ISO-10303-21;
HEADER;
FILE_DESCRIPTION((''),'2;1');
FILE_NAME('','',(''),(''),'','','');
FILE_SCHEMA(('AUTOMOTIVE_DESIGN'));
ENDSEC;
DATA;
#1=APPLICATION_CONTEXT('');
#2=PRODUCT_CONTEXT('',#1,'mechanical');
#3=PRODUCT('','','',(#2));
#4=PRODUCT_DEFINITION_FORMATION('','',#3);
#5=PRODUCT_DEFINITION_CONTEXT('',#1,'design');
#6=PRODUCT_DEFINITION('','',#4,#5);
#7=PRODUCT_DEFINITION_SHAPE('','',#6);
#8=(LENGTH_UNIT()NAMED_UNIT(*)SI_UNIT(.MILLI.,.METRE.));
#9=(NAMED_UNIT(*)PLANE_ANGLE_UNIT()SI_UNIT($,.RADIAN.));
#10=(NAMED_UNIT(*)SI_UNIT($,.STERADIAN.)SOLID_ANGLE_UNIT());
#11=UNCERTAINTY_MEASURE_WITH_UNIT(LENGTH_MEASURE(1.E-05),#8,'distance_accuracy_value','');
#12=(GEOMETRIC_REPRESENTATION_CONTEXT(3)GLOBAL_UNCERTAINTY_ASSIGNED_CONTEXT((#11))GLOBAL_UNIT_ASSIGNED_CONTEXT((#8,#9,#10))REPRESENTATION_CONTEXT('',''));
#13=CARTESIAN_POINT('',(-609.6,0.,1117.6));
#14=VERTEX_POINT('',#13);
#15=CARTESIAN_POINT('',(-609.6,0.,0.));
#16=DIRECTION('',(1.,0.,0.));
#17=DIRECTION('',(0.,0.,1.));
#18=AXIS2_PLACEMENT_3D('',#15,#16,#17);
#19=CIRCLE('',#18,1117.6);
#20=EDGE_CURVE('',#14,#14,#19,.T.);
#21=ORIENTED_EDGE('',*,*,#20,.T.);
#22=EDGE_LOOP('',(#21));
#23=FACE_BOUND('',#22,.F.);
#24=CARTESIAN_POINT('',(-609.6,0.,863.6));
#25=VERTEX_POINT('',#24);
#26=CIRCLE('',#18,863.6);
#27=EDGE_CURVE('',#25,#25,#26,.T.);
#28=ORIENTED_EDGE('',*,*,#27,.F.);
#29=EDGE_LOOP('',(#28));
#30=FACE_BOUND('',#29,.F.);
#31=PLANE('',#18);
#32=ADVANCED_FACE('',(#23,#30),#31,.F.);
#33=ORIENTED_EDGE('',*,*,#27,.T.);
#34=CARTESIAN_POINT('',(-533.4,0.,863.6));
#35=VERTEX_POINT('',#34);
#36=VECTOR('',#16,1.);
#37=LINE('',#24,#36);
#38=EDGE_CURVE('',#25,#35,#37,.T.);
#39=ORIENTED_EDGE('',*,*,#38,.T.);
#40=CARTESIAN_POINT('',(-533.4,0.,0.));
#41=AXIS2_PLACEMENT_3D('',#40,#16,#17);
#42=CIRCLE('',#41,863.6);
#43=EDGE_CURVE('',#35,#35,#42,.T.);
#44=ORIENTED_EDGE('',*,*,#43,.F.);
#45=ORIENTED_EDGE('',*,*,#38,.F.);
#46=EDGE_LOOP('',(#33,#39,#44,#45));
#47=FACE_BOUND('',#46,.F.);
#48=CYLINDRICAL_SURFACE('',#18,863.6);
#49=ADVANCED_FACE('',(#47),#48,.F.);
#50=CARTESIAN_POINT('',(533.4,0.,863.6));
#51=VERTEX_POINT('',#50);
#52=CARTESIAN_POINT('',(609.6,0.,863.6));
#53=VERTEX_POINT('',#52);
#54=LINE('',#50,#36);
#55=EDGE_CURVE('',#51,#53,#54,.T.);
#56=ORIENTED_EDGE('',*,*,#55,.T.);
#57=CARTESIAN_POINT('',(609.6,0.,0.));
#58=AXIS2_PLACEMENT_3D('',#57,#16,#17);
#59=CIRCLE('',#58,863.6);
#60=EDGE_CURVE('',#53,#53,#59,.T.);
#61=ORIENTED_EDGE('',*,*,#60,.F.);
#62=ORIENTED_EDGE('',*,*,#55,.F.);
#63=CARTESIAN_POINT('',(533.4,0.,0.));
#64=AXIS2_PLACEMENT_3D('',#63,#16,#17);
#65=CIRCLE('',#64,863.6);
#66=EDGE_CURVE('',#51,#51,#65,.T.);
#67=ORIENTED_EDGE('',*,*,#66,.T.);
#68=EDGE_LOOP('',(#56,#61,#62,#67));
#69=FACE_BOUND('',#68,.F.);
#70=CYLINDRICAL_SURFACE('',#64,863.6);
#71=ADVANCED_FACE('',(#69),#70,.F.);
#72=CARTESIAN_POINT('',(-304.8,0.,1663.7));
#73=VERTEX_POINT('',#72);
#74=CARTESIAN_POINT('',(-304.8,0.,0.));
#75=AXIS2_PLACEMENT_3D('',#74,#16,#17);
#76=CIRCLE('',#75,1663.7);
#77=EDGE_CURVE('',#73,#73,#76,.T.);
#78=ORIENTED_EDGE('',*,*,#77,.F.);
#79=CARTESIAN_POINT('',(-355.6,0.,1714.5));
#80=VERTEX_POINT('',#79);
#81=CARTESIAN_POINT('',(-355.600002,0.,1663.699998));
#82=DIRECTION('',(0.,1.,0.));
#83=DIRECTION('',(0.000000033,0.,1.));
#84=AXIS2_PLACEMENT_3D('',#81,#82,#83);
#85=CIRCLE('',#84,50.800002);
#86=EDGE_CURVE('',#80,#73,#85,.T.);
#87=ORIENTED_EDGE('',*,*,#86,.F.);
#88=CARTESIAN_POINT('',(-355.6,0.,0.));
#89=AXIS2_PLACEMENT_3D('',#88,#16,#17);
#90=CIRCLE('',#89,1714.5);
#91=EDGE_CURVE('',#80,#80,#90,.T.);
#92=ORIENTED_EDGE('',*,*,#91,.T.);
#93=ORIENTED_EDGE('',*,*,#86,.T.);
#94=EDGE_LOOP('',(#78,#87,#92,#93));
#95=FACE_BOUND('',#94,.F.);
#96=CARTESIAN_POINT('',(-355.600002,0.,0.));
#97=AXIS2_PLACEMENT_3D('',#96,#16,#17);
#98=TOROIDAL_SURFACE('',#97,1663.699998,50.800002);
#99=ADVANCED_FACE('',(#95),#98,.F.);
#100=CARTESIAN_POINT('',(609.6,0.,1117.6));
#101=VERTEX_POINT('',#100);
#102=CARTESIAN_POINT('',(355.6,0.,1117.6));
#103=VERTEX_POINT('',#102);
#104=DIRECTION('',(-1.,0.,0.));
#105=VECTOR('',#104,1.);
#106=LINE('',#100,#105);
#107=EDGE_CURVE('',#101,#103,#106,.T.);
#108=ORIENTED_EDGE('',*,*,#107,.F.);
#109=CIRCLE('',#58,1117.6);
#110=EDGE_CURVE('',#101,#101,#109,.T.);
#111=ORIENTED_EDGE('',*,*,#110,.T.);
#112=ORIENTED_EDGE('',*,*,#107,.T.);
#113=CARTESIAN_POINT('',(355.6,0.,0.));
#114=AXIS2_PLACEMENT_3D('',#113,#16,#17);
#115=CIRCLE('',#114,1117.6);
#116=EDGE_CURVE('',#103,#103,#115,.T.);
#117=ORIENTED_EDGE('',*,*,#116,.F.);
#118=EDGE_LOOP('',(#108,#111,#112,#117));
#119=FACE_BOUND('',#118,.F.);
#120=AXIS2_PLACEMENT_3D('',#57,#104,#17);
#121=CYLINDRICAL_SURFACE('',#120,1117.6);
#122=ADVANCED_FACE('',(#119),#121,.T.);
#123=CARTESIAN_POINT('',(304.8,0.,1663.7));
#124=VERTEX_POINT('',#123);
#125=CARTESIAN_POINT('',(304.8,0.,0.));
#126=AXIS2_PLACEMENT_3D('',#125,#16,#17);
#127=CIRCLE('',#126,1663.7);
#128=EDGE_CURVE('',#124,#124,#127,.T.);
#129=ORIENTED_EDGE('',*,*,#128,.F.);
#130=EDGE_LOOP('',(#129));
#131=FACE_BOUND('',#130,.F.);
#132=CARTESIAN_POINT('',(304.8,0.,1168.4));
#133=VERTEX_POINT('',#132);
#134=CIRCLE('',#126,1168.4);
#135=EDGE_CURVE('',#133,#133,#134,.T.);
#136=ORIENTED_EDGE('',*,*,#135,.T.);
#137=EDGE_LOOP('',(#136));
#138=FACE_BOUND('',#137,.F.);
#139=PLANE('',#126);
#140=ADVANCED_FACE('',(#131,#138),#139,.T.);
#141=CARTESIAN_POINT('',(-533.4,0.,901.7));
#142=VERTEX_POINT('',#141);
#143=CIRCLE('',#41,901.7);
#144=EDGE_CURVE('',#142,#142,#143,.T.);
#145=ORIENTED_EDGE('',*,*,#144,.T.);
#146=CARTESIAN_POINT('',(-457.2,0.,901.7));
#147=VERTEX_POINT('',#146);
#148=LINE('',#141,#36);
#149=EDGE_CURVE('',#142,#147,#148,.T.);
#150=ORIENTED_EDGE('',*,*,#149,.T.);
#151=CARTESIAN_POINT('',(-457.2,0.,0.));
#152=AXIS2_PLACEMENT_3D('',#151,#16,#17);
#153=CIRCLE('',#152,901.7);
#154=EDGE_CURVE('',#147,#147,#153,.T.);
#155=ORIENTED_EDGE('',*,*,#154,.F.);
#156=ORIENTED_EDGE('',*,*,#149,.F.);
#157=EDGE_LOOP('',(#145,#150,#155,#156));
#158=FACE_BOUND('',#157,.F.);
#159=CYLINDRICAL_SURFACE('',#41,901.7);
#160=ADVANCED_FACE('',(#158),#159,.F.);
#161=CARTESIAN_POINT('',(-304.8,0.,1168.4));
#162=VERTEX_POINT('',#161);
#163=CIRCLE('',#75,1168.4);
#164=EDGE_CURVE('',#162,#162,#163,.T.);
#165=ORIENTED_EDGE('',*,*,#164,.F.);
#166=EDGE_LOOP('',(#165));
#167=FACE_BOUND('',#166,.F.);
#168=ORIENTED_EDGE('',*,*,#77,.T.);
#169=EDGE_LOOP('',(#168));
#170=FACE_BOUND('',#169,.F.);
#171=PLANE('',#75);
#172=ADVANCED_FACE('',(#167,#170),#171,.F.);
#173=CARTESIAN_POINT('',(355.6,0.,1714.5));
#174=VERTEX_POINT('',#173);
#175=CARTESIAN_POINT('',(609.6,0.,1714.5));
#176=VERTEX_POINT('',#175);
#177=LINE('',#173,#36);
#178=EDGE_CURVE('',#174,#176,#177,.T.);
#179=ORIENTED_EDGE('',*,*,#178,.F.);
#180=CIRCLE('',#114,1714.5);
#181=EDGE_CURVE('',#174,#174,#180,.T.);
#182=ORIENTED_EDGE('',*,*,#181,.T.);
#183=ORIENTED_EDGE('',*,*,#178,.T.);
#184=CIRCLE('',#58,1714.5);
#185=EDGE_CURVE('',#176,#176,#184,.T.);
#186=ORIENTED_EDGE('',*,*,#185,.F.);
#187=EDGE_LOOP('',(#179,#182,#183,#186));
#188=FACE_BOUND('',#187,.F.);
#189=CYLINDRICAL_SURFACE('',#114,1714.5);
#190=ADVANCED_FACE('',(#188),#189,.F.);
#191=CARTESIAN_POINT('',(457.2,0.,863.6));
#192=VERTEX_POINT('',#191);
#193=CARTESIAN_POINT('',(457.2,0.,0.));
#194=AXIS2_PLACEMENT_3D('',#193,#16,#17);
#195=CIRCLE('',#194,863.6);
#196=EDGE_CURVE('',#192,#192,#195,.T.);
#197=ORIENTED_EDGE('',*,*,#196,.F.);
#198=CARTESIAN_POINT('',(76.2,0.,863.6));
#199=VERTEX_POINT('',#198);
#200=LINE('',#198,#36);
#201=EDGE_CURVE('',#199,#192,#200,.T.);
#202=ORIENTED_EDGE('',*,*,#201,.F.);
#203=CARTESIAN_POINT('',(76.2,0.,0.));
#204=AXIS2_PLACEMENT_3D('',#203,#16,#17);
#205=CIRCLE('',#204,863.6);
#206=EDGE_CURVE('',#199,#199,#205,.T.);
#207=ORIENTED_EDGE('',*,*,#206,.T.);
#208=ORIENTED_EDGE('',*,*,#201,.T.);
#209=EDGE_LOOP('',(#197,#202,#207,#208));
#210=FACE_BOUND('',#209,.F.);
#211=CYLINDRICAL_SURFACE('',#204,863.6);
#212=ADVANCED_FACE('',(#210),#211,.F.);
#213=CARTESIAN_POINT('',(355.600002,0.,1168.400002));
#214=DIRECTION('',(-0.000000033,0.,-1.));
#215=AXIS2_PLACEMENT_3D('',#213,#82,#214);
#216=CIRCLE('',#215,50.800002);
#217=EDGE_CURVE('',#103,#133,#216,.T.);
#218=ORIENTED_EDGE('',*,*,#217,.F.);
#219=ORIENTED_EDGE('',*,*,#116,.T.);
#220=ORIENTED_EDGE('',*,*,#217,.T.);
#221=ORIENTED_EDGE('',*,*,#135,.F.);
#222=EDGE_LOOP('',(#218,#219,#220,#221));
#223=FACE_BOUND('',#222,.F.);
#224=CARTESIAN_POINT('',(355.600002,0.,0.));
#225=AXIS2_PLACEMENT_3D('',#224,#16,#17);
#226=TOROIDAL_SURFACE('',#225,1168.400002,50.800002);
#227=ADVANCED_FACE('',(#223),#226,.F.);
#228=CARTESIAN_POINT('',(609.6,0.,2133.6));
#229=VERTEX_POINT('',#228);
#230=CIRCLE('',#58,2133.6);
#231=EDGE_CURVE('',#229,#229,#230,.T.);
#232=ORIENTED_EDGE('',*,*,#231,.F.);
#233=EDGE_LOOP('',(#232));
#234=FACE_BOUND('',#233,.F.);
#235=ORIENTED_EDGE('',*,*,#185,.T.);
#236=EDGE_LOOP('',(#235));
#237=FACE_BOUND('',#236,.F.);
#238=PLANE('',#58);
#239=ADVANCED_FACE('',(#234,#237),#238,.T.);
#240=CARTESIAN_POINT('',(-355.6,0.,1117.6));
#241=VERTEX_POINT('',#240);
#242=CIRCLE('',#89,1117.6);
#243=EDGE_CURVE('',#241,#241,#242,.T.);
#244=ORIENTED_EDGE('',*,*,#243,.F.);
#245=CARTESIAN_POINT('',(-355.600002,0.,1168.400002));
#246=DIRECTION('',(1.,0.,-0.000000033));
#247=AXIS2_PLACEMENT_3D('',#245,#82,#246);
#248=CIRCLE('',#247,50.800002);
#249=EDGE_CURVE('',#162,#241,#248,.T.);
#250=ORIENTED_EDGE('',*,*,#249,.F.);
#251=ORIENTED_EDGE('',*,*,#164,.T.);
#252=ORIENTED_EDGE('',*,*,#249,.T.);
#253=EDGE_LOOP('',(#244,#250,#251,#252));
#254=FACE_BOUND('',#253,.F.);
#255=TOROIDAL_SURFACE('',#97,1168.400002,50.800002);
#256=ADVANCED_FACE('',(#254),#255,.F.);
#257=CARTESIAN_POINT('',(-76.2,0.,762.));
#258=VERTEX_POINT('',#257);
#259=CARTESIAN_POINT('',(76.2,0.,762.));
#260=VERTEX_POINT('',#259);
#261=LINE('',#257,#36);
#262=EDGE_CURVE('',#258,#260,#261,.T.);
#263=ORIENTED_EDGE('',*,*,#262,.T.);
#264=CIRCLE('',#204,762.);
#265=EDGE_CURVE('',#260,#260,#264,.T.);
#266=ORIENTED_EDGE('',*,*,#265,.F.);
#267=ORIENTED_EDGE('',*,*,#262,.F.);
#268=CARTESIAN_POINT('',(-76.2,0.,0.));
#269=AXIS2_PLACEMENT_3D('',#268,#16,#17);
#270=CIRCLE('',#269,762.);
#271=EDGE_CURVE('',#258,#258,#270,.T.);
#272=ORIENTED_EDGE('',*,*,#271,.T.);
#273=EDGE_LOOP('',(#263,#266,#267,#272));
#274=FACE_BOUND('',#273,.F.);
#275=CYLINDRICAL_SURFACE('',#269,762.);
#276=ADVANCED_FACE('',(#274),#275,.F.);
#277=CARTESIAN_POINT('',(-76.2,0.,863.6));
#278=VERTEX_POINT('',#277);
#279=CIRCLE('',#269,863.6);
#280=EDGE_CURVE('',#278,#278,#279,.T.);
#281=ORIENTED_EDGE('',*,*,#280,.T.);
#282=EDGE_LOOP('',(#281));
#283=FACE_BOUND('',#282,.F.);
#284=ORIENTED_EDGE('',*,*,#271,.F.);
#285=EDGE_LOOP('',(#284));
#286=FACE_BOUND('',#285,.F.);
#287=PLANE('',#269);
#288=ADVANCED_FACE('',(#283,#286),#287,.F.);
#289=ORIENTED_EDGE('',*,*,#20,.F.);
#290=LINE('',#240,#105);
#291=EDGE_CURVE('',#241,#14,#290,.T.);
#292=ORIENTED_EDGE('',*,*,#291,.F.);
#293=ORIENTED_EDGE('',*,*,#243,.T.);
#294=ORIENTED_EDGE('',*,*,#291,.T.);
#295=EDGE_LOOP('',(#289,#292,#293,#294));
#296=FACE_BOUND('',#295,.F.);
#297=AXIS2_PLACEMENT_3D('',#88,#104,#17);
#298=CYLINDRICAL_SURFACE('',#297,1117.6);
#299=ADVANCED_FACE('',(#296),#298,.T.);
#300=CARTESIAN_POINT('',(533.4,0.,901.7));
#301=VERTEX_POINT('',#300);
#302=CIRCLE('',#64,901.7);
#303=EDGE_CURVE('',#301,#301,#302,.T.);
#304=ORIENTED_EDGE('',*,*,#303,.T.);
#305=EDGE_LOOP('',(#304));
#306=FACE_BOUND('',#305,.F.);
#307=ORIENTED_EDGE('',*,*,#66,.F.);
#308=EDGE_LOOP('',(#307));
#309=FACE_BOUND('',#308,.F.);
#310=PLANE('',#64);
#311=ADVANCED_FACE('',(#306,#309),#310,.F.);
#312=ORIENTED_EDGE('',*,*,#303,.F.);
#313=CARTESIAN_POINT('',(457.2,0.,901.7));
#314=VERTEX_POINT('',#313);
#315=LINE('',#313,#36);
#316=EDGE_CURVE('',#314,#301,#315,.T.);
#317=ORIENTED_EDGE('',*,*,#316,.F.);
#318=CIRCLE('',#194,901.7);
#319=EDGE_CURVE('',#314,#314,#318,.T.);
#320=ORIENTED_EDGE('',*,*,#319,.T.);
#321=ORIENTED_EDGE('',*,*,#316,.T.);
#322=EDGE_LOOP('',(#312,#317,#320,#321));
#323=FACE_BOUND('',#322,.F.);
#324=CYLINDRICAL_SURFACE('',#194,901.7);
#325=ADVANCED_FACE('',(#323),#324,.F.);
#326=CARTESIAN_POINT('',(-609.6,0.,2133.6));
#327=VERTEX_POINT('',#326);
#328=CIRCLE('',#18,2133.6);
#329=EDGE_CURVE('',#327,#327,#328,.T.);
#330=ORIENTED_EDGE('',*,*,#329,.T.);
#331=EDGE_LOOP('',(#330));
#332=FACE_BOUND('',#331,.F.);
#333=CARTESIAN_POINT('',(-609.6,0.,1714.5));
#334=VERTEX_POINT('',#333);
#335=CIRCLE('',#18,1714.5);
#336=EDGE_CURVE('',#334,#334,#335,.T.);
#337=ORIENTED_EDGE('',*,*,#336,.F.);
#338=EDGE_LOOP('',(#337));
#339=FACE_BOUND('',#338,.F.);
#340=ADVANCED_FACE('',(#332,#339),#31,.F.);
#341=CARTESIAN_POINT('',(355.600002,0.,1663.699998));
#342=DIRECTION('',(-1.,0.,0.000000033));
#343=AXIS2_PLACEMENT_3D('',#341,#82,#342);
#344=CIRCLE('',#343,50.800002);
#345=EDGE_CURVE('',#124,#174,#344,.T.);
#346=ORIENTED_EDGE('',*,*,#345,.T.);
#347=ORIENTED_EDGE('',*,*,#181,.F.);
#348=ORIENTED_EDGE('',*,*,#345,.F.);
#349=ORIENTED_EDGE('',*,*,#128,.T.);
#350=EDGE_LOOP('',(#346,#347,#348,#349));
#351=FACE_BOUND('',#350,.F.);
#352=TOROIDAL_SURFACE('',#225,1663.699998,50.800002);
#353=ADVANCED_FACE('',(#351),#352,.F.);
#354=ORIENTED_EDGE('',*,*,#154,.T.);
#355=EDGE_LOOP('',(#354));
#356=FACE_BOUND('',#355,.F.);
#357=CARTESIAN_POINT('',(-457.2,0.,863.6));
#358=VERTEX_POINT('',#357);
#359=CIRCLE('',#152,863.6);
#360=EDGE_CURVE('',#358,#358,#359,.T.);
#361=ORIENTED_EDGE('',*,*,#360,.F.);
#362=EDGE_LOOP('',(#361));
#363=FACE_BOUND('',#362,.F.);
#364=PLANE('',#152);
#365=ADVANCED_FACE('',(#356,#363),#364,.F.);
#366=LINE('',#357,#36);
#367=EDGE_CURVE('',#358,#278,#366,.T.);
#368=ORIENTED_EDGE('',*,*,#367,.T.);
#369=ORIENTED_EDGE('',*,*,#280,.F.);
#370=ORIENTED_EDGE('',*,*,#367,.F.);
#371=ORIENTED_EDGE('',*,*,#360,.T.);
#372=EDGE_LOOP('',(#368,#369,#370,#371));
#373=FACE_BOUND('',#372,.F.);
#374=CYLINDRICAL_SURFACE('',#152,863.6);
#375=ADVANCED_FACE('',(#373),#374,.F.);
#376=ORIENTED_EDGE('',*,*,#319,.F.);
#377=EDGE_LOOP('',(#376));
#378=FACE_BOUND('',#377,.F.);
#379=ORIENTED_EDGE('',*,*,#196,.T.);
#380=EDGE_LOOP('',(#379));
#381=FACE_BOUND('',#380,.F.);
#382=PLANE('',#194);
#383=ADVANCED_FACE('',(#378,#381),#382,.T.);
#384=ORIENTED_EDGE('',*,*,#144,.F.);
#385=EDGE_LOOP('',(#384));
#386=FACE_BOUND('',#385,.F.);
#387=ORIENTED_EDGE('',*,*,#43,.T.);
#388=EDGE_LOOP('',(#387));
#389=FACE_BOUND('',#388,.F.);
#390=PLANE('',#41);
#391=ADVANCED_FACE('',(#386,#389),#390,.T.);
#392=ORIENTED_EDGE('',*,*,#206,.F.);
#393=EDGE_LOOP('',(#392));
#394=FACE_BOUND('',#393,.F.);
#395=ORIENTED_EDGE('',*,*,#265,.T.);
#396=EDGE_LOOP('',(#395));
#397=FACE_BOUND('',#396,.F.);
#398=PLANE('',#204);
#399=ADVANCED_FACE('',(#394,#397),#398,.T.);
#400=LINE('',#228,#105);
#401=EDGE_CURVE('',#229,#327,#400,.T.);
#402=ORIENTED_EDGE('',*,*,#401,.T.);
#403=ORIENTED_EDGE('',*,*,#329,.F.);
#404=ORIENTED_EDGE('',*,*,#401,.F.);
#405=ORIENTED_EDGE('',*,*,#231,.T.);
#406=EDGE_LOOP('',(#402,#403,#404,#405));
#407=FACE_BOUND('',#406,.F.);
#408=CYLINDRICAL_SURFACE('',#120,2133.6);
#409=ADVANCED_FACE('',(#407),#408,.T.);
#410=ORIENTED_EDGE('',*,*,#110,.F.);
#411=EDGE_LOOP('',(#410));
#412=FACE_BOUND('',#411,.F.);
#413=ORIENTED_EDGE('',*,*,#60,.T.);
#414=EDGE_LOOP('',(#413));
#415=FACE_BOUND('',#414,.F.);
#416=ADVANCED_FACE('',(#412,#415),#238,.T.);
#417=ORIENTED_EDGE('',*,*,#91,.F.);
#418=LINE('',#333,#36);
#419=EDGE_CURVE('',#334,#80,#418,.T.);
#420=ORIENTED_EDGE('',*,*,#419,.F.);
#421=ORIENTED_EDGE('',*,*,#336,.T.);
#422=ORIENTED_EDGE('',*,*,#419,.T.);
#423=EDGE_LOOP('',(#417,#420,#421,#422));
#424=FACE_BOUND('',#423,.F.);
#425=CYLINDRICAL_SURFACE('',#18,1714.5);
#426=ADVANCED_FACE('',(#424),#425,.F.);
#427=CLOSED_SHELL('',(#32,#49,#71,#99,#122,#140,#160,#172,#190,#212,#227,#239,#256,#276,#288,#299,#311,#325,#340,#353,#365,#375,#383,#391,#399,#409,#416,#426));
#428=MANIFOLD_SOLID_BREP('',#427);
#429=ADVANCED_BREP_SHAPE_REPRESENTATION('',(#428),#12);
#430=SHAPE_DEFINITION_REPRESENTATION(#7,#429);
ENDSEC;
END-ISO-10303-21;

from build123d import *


with BuildPart() as f1:
    # F0 (on Front) → F1 (revolve)
    with BuildSketch(Plane.XZ):
        with BuildLine():
            Line((609.6, 2133.6), (0, 2133.6))
            Line((0, 2133.6), (-609.6, 2133.6))
            Line((-609.6, 2133.6), (-609.6, 1714.5))
            Line((-609.6, 1714.5), (-355.6, 1714.5))
            ThreePointArc((-355.6, 1714.5), (-319.678976, 1699.621024), (-304.8, 1663.7))
            Line((-304.8, 1663.7), (-304.8, 1168.4))
            ThreePointArc((-304.8, 1168.4), (-319.678976, 1132.478976), (-355.6, 1117.6))
            Line((-355.6, 1117.6), (-609.6, 1117.6))
            Line((-609.6, 1117.6), (-609.6, 863.6))
            Line((-609.6, 863.6), (-533.4, 863.6))
            Line((-533.4, 863.6), (-533.4, 901.7))
            Line((-533.4, 901.7), (-457.2, 901.7))
            Line((-457.2, 901.7), (-457.2, 863.6))
            Line((-457.2, 863.6), (-76.2, 863.6))
            Line((-76.2, 863.6), (-76.2, 762))
            Line((-76.2, 762), (0, 762))
            Line((0, 762), (76.2, 762))
            Line((76.2, 762), (76.2, 863.6))
            Line((76.2, 863.6), (457.2, 863.6))
            Line((457.2, 863.6), (457.2, 901.7))
            Line((457.2, 901.7), (533.4, 901.7))
            Line((533.4, 901.7), (533.4, 863.6))
            Line((533.4, 863.6), (609.6, 863.6))
            Line((609.6, 863.6), (609.6, 1117.6))
            Line((609.6, 1117.6), (355.6, 1117.6))
            ThreePointArc((355.6, 1117.6), (319.678976, 1132.478976), (304.8, 1168.4))
            Line((304.8, 1168.4), (304.8, 1663.7))
            ThreePointArc((304.8, 1663.7), (319.678976, 1699.621024), (355.6, 1714.5))
            Line((355.6, 1714.5), (609.6, 1714.5))
            Line((609.6, 1714.5), (609.6, 2133.6))
        make_face()
    revolve(axis=Axis((-304.8, 0, 0), (1, 0, 0)))


solid = f1.part
